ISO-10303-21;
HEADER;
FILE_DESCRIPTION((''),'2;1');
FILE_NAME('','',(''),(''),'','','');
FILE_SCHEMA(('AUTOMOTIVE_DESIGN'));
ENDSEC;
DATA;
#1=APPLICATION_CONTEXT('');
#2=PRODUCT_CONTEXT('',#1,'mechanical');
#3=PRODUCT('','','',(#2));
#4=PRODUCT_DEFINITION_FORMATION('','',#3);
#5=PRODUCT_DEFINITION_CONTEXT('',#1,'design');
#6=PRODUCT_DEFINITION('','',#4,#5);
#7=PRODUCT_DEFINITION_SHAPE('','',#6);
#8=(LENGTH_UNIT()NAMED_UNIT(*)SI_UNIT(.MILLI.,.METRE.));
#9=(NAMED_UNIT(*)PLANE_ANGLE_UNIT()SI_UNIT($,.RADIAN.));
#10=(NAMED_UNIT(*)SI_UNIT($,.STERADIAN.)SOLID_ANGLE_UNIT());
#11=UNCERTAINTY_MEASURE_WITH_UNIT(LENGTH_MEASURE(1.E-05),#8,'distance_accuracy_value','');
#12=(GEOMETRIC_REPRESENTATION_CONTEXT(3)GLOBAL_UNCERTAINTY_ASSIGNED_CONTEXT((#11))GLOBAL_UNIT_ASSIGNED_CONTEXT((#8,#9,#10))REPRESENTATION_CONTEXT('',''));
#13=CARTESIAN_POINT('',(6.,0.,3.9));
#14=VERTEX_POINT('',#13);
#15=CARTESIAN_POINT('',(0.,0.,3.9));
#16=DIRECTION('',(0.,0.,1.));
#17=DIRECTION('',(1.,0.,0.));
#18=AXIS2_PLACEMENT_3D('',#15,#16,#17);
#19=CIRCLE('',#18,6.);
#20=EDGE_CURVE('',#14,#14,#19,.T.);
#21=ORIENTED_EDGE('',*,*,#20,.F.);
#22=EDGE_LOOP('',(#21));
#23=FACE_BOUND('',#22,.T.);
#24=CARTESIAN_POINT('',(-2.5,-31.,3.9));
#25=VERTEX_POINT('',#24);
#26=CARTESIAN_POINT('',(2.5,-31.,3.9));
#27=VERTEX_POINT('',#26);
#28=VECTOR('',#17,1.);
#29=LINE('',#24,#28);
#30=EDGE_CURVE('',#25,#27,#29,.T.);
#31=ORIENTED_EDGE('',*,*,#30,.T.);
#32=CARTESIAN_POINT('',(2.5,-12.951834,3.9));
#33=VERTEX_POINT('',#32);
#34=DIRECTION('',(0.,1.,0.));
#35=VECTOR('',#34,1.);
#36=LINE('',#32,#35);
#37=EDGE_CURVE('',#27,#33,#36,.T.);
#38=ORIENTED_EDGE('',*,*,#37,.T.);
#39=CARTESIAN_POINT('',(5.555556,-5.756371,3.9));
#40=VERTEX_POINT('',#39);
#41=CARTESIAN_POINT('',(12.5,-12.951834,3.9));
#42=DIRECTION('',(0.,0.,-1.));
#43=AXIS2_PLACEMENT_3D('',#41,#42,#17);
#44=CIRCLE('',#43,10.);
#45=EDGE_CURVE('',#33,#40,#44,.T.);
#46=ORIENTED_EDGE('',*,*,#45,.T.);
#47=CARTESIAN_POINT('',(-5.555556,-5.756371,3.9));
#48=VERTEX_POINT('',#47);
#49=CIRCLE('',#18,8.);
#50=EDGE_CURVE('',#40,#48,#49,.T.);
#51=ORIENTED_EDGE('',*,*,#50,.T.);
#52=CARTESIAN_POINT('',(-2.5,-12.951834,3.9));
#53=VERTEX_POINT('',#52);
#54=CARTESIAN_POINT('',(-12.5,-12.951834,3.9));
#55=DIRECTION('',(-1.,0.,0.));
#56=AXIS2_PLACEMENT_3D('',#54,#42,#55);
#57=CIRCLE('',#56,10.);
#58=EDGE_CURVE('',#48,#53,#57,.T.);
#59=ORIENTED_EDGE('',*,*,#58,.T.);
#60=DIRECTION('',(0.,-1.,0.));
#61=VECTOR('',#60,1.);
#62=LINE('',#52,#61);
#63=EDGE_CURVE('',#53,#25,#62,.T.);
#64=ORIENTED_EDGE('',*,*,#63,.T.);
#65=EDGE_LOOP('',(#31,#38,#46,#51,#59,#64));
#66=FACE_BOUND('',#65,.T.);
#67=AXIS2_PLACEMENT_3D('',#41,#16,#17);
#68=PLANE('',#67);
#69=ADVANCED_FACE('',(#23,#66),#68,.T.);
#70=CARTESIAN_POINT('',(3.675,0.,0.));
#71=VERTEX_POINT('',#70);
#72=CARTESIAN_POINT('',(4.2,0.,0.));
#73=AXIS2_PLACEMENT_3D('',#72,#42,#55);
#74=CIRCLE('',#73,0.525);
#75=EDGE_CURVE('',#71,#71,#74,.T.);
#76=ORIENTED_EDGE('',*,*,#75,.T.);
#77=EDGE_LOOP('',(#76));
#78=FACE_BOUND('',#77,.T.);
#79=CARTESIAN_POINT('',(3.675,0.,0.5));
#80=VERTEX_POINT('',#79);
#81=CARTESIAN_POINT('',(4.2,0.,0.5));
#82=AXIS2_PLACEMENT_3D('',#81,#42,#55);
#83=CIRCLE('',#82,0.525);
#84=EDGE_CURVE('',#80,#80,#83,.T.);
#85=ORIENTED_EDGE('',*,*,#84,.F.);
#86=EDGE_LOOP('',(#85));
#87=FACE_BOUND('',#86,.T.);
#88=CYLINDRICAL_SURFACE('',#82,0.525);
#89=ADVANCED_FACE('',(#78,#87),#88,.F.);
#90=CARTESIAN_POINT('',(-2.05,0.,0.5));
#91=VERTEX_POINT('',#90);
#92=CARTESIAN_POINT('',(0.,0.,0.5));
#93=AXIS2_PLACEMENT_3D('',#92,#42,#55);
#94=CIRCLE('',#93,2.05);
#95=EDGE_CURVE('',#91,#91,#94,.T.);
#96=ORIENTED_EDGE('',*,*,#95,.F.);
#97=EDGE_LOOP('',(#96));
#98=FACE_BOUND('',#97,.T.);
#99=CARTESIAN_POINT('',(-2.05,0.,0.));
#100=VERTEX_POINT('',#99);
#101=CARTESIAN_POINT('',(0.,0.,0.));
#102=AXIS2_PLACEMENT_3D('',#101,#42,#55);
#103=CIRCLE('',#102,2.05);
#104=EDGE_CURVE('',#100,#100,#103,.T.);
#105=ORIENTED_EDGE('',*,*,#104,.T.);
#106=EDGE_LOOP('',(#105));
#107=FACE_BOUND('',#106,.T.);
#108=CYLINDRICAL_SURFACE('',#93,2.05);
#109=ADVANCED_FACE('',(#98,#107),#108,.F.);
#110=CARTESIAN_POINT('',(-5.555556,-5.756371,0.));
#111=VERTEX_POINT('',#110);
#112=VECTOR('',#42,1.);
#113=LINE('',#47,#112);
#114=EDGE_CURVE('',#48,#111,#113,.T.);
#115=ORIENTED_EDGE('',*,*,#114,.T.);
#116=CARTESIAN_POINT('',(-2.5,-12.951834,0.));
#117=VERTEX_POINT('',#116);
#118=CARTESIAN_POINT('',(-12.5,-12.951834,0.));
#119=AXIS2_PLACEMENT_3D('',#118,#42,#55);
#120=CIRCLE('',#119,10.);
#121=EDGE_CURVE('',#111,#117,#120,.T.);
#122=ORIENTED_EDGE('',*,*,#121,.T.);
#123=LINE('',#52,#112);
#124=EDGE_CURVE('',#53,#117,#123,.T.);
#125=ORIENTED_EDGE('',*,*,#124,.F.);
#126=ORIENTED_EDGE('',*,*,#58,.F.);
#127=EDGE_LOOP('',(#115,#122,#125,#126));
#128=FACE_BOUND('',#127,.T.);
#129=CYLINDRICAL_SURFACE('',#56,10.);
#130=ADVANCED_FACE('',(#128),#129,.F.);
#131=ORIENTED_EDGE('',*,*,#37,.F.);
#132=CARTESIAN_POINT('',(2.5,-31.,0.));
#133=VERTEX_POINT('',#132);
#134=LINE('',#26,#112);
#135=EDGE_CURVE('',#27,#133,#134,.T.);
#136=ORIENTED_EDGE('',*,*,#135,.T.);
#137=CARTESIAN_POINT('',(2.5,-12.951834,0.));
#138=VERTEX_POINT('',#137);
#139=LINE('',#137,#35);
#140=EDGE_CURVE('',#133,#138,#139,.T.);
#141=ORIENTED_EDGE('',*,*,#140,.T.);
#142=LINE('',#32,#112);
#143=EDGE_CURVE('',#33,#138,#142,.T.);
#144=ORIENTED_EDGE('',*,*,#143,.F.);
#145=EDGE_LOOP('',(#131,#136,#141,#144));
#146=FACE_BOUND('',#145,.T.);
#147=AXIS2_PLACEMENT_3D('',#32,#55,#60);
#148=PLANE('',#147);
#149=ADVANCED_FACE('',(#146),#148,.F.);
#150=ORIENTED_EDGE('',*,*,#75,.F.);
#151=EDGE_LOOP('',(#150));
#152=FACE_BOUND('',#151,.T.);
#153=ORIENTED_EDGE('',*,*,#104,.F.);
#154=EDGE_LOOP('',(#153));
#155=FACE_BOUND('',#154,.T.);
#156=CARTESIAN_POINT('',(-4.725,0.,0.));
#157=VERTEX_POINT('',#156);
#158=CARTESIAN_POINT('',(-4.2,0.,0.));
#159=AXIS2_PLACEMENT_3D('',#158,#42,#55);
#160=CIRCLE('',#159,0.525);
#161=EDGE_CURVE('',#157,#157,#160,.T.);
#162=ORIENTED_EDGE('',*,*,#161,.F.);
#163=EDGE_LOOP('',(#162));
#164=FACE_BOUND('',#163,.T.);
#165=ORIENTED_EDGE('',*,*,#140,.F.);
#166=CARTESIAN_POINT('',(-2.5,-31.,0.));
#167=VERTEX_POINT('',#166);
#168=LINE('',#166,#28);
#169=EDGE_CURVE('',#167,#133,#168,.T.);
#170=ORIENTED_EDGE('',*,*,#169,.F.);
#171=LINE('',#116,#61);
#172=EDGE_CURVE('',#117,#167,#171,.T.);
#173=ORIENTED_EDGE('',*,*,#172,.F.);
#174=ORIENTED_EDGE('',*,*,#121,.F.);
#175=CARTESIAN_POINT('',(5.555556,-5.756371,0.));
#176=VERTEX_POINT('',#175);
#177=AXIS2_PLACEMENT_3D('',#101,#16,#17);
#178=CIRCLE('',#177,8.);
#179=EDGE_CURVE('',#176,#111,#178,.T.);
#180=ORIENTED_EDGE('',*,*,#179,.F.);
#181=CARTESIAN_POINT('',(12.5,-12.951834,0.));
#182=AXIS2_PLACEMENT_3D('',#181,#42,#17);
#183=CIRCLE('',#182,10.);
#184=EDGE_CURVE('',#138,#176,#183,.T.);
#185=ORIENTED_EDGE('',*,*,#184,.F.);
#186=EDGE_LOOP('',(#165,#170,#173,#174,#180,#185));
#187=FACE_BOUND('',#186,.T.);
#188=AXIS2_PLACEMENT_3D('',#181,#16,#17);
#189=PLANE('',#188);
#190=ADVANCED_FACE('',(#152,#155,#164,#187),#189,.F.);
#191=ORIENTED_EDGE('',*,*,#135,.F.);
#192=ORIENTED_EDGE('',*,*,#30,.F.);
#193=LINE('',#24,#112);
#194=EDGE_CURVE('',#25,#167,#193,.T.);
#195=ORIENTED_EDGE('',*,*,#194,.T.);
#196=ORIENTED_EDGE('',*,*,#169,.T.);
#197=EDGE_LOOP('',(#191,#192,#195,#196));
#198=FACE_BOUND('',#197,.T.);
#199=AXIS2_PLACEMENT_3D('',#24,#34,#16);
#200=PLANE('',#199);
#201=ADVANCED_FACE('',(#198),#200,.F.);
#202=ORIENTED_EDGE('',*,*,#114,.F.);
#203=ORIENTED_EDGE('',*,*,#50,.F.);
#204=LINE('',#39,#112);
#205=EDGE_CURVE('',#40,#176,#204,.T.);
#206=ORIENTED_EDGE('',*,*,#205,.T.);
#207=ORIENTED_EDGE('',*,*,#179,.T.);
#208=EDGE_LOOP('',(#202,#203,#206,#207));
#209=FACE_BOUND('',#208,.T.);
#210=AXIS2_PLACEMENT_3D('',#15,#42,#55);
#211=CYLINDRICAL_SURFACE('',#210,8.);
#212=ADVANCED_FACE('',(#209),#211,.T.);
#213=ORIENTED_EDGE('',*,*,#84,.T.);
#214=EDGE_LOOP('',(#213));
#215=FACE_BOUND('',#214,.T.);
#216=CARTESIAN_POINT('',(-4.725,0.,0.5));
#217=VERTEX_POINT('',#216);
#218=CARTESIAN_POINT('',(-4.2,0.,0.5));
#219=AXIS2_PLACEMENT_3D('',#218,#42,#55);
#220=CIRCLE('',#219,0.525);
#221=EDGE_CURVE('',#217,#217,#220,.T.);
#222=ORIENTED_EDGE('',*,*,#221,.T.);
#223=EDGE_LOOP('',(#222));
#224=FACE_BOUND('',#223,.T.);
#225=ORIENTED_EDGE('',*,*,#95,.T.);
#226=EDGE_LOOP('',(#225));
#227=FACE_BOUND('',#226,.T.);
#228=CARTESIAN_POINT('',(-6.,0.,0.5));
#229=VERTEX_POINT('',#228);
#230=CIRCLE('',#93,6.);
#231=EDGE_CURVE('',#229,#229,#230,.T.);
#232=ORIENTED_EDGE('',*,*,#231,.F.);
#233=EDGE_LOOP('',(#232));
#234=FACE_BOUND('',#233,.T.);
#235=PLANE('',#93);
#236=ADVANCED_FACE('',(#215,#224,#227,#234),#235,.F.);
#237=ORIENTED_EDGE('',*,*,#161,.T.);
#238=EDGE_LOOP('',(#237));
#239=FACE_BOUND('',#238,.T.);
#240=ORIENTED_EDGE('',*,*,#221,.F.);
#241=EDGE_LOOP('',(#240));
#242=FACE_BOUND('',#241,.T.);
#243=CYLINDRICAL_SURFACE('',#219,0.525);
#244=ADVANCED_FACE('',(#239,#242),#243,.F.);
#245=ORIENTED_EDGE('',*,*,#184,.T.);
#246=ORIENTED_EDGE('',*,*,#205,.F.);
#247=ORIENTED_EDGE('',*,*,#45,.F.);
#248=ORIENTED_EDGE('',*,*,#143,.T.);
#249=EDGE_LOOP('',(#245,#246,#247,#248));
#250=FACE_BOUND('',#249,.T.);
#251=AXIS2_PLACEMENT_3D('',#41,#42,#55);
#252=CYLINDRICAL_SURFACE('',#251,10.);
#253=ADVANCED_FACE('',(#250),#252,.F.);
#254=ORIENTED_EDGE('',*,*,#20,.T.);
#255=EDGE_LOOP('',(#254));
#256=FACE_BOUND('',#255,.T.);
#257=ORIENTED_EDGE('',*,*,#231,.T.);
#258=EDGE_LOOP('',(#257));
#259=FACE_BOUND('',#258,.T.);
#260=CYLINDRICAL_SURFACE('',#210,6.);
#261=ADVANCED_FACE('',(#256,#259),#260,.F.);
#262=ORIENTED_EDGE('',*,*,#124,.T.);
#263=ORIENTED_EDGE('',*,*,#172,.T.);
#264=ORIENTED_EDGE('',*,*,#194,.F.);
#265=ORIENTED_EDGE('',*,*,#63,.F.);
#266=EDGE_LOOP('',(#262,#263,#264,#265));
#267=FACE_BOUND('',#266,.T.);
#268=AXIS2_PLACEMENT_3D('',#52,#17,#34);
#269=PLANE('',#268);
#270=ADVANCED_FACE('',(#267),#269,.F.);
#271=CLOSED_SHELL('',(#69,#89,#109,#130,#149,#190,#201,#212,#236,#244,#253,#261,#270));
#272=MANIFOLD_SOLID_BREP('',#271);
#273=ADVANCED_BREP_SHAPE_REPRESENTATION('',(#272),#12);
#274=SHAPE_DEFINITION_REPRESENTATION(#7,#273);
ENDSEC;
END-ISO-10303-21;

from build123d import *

# Parameters (mm, degrees)
SKETCH1_R           = 6
BOSS_EXTRUDE1_DEPTH = 3.9
SKETCH5_R           = 8
SKETCH5_R_2         = 2.05
SKETCH5_R_3         = 0.525
BOSS_EXTRUDE3_DEPTH = 0.5


with BuildPart() as part:
    # Sketch1 → Boss-Extrude1 (new body)
    with BuildSketch(Plane.XY):
        with BuildLine():
            Line((-2.5, -31), (2.5, -31))
            Line((2.5, -31), (2.5, -12.951833847))
            ThreePointArc((2.5, -12.951833847), (3.295532486, -9.043154047), (5.555555556, -5.756370599))
            ThreePointArc((5.555555556, -5.756370599), (0, 8), (-5.555555556, -5.756370599))
            ThreePointArc((-5.555555556, -5.756370599), (-3.295532486, -9.043154047), (-2.5, -12.951833847))
            Line((-2.5, -12.951833847), (-2.5, -31))
        make_face()
        Circle(SKETCH1_R, mode=Mode.SUBTRACT)
    extrude(amount=BOSS_EXTRUDE1_DEPTH)

    # Sketch5 → Boss-Extrude3 (add)
    with BuildSketch(Plane(origin=(0, 0, 0), x_dir=(-1, 0, 0), z_dir=(0, 0, -1))):
        Circle(SKETCH5_R)
        Circle(SKETCH5_R_2, mode=Mode.SUBTRACT)
        with Locations((4.2, 0)):
            Circle(SKETCH5_R_3, mode=Mode.SUBTRACT)
        with Locations((-4.2, 0)):
            Circle(SKETCH5_R_3, mode=Mode.SUBTRACT)
    extrude(amount=-BOSS_EXTRUDE3_DEPTH)


solid = part.part
